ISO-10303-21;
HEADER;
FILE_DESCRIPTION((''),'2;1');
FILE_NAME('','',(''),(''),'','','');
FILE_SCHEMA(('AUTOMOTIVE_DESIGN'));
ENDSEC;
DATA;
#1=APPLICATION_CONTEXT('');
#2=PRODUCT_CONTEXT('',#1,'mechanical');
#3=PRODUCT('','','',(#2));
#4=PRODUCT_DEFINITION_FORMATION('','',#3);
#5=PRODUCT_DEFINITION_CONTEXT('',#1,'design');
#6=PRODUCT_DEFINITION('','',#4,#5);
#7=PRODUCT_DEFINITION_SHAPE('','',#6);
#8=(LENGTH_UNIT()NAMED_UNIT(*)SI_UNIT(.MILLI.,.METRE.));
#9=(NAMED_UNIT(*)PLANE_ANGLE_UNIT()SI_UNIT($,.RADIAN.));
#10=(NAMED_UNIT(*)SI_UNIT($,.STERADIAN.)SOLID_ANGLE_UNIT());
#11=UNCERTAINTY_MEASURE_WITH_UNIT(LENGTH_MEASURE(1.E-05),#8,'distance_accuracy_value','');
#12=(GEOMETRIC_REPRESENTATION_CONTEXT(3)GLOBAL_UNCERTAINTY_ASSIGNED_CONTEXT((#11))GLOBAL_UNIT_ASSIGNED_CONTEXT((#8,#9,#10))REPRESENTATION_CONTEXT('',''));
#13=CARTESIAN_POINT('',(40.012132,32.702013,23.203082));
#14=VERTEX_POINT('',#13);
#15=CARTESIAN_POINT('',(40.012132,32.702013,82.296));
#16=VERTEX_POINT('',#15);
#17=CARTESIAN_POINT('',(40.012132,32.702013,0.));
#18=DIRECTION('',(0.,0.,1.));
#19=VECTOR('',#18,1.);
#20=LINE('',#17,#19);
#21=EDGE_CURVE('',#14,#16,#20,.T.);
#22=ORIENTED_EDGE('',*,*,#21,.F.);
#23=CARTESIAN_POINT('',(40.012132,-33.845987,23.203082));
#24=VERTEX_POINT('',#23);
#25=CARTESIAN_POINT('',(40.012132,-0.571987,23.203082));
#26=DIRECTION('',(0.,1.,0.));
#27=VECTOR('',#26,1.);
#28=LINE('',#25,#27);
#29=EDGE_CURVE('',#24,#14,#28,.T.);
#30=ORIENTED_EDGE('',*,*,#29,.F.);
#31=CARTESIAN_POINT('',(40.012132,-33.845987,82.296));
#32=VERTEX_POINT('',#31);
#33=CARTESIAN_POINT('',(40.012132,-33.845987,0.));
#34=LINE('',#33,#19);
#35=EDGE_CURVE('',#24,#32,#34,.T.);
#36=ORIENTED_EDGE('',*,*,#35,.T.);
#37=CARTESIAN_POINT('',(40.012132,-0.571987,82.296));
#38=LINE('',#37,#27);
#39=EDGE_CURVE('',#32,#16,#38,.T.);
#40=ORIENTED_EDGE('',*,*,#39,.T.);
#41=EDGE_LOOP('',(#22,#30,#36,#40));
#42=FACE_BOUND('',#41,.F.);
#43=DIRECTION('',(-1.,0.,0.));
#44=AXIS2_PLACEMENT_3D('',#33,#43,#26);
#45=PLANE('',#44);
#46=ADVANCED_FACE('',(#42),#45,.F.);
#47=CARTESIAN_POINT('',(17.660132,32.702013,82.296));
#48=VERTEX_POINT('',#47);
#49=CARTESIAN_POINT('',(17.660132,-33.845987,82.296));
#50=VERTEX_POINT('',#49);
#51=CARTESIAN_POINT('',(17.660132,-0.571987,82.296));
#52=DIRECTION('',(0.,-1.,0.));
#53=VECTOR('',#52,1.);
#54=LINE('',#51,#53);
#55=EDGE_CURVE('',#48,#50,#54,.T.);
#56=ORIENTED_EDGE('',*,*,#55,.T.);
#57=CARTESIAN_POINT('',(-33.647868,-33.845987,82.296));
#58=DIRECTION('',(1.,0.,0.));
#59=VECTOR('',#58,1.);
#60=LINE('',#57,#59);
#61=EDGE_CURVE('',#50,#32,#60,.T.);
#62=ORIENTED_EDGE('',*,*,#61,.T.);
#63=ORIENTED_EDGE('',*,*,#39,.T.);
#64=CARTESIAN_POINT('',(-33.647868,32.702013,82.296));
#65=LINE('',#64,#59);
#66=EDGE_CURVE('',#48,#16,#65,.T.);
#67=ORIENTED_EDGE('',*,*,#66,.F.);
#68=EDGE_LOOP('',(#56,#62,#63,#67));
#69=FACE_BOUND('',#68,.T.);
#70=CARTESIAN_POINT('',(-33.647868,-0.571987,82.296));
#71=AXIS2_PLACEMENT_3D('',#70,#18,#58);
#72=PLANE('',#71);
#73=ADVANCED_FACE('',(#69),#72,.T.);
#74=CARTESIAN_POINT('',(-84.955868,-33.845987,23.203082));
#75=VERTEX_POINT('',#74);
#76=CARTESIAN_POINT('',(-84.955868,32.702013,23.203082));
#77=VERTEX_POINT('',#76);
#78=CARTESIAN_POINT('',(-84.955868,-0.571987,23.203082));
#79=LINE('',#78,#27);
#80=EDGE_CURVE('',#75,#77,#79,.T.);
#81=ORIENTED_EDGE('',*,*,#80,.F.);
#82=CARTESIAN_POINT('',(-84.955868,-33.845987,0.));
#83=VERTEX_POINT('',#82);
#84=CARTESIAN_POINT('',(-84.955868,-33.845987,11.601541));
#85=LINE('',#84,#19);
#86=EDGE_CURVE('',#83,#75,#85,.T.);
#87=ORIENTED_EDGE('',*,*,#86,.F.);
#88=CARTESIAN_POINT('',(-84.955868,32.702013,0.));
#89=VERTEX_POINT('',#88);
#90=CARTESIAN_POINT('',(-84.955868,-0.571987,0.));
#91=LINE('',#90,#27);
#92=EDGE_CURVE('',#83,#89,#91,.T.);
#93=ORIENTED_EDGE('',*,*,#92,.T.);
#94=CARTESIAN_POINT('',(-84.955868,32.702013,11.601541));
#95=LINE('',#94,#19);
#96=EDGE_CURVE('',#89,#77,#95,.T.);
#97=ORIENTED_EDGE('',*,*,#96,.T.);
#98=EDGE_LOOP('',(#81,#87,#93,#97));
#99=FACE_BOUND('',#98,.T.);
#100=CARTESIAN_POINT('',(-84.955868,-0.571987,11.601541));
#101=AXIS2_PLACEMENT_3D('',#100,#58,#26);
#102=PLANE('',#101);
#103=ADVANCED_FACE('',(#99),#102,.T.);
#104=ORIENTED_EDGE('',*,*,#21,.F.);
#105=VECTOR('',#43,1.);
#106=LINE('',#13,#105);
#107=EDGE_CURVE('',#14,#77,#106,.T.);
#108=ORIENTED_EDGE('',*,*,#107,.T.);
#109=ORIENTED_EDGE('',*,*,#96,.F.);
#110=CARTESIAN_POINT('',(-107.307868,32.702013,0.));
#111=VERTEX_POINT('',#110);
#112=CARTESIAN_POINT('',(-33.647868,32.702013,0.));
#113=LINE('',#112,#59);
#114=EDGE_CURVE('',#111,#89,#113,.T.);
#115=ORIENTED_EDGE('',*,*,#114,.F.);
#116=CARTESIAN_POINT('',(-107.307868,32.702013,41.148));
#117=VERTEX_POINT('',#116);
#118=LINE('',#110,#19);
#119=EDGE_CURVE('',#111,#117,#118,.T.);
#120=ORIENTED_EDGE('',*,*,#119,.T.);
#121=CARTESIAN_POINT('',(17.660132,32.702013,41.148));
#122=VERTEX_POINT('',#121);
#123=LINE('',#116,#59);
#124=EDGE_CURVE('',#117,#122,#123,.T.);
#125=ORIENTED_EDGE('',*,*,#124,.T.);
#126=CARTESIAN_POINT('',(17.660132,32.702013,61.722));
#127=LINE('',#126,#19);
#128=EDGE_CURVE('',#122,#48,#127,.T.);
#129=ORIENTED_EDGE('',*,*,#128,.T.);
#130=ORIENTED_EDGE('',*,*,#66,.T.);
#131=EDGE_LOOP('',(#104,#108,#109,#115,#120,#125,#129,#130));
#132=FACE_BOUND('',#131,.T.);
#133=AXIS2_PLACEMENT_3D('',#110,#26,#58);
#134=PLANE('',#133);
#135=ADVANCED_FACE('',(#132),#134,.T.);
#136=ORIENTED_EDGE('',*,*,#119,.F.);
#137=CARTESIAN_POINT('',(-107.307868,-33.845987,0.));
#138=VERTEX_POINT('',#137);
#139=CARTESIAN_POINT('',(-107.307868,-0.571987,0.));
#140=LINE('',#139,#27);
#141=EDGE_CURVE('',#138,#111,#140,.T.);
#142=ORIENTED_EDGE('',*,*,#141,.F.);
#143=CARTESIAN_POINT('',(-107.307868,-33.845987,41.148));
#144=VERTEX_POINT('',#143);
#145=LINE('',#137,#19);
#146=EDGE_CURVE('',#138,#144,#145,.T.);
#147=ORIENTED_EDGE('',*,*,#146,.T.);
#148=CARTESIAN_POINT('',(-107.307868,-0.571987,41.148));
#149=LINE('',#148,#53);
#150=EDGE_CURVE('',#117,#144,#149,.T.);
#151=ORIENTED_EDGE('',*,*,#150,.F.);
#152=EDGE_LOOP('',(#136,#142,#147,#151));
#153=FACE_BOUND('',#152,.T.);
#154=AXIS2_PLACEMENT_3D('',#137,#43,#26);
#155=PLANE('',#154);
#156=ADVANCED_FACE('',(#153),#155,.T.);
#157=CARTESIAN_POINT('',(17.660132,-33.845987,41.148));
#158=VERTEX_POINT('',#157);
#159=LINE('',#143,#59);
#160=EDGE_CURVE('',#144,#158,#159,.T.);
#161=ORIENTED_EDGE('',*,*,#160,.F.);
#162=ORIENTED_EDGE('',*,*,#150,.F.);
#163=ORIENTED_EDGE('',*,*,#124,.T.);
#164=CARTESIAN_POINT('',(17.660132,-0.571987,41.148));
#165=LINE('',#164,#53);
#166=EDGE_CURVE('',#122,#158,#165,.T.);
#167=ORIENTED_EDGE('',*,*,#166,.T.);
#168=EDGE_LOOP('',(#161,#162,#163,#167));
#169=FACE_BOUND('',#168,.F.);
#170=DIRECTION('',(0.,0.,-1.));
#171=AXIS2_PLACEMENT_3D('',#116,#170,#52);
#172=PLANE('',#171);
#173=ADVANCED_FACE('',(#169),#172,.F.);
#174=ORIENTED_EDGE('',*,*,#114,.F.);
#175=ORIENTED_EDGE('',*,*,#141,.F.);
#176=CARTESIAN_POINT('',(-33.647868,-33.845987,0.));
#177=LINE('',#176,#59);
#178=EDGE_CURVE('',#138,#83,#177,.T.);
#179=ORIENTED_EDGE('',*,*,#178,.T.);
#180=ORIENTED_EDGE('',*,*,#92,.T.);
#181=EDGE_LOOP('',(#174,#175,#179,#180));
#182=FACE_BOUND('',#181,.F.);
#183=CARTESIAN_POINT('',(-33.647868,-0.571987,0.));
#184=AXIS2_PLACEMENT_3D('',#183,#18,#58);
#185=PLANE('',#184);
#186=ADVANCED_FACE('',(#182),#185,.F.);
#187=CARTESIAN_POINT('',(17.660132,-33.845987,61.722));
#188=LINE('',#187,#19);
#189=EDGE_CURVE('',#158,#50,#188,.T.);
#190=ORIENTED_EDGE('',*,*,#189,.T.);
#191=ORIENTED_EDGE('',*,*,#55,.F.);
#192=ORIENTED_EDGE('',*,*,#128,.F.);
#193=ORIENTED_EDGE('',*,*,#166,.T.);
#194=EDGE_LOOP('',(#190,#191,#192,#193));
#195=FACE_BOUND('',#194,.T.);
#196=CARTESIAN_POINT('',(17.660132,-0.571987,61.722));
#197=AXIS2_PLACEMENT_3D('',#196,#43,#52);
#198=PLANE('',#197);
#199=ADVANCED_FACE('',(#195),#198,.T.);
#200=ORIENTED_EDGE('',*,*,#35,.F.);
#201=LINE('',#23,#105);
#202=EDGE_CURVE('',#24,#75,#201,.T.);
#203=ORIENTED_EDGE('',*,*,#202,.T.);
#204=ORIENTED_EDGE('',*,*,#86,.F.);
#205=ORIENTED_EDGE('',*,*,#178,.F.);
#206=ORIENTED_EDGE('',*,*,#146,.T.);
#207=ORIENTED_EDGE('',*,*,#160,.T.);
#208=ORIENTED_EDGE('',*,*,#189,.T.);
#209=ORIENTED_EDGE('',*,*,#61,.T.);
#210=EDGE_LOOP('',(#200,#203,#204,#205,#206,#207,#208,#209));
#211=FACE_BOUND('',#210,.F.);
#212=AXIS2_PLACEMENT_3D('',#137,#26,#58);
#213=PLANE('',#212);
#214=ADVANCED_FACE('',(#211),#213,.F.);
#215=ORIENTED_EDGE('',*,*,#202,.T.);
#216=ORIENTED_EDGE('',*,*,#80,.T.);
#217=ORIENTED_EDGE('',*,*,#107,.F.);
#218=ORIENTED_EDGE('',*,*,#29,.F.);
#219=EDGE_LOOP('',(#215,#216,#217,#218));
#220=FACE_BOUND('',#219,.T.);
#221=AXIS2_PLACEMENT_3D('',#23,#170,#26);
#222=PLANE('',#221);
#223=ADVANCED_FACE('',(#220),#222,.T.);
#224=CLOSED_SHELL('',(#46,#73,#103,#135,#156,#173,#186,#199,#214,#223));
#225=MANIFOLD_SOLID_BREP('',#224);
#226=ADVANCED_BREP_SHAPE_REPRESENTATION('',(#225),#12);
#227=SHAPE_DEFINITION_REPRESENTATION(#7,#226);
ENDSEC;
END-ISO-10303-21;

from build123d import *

# Parameters (mm, degrees)
F0_W     = 147.32
F0_H     = 66.548
F1_DEPTH = 82.296
F2_W     = 66.548
F2_H     = 23.203082
F3_DEPTH = 124.968
F4_W     = 66.548
F4_H     = 41.148
F5_DEPTH = 124.968


with BuildPart() as f1:
    # F0 (on Top) → F1 (new body)
    with BuildSketch(Plane.XY):
        with Locations((-33.647868, -0.571987)):
            Rectangle(F0_W, F0_H)
    extrude(amount=F1_DEPTH)

    # F2 (on face) → F3 (cut)
    with BuildSketch(Plane.YZ.offset(40.012132)):
        with Locations((-0.571987, 11.601541)):
            Rectangle(F2_W, F2_H)
    extrude(amount=-F3_DEPTH, mode=Mode.SUBTRACT)

    # F4 (on face) → F5 (cut)
    with BuildSketch(Plane(origin=(-107.307868, 0, 0), x_dir=(0, -1, 0), z_dir=(-1, 0, 0))):
        with Locations((0.571987, 61.722)):
            Rectangle(F4_W, F4_H)
    extrude(amount=-F5_DEPTH, mode=Mode.SUBTRACT)


solid = f1.part
